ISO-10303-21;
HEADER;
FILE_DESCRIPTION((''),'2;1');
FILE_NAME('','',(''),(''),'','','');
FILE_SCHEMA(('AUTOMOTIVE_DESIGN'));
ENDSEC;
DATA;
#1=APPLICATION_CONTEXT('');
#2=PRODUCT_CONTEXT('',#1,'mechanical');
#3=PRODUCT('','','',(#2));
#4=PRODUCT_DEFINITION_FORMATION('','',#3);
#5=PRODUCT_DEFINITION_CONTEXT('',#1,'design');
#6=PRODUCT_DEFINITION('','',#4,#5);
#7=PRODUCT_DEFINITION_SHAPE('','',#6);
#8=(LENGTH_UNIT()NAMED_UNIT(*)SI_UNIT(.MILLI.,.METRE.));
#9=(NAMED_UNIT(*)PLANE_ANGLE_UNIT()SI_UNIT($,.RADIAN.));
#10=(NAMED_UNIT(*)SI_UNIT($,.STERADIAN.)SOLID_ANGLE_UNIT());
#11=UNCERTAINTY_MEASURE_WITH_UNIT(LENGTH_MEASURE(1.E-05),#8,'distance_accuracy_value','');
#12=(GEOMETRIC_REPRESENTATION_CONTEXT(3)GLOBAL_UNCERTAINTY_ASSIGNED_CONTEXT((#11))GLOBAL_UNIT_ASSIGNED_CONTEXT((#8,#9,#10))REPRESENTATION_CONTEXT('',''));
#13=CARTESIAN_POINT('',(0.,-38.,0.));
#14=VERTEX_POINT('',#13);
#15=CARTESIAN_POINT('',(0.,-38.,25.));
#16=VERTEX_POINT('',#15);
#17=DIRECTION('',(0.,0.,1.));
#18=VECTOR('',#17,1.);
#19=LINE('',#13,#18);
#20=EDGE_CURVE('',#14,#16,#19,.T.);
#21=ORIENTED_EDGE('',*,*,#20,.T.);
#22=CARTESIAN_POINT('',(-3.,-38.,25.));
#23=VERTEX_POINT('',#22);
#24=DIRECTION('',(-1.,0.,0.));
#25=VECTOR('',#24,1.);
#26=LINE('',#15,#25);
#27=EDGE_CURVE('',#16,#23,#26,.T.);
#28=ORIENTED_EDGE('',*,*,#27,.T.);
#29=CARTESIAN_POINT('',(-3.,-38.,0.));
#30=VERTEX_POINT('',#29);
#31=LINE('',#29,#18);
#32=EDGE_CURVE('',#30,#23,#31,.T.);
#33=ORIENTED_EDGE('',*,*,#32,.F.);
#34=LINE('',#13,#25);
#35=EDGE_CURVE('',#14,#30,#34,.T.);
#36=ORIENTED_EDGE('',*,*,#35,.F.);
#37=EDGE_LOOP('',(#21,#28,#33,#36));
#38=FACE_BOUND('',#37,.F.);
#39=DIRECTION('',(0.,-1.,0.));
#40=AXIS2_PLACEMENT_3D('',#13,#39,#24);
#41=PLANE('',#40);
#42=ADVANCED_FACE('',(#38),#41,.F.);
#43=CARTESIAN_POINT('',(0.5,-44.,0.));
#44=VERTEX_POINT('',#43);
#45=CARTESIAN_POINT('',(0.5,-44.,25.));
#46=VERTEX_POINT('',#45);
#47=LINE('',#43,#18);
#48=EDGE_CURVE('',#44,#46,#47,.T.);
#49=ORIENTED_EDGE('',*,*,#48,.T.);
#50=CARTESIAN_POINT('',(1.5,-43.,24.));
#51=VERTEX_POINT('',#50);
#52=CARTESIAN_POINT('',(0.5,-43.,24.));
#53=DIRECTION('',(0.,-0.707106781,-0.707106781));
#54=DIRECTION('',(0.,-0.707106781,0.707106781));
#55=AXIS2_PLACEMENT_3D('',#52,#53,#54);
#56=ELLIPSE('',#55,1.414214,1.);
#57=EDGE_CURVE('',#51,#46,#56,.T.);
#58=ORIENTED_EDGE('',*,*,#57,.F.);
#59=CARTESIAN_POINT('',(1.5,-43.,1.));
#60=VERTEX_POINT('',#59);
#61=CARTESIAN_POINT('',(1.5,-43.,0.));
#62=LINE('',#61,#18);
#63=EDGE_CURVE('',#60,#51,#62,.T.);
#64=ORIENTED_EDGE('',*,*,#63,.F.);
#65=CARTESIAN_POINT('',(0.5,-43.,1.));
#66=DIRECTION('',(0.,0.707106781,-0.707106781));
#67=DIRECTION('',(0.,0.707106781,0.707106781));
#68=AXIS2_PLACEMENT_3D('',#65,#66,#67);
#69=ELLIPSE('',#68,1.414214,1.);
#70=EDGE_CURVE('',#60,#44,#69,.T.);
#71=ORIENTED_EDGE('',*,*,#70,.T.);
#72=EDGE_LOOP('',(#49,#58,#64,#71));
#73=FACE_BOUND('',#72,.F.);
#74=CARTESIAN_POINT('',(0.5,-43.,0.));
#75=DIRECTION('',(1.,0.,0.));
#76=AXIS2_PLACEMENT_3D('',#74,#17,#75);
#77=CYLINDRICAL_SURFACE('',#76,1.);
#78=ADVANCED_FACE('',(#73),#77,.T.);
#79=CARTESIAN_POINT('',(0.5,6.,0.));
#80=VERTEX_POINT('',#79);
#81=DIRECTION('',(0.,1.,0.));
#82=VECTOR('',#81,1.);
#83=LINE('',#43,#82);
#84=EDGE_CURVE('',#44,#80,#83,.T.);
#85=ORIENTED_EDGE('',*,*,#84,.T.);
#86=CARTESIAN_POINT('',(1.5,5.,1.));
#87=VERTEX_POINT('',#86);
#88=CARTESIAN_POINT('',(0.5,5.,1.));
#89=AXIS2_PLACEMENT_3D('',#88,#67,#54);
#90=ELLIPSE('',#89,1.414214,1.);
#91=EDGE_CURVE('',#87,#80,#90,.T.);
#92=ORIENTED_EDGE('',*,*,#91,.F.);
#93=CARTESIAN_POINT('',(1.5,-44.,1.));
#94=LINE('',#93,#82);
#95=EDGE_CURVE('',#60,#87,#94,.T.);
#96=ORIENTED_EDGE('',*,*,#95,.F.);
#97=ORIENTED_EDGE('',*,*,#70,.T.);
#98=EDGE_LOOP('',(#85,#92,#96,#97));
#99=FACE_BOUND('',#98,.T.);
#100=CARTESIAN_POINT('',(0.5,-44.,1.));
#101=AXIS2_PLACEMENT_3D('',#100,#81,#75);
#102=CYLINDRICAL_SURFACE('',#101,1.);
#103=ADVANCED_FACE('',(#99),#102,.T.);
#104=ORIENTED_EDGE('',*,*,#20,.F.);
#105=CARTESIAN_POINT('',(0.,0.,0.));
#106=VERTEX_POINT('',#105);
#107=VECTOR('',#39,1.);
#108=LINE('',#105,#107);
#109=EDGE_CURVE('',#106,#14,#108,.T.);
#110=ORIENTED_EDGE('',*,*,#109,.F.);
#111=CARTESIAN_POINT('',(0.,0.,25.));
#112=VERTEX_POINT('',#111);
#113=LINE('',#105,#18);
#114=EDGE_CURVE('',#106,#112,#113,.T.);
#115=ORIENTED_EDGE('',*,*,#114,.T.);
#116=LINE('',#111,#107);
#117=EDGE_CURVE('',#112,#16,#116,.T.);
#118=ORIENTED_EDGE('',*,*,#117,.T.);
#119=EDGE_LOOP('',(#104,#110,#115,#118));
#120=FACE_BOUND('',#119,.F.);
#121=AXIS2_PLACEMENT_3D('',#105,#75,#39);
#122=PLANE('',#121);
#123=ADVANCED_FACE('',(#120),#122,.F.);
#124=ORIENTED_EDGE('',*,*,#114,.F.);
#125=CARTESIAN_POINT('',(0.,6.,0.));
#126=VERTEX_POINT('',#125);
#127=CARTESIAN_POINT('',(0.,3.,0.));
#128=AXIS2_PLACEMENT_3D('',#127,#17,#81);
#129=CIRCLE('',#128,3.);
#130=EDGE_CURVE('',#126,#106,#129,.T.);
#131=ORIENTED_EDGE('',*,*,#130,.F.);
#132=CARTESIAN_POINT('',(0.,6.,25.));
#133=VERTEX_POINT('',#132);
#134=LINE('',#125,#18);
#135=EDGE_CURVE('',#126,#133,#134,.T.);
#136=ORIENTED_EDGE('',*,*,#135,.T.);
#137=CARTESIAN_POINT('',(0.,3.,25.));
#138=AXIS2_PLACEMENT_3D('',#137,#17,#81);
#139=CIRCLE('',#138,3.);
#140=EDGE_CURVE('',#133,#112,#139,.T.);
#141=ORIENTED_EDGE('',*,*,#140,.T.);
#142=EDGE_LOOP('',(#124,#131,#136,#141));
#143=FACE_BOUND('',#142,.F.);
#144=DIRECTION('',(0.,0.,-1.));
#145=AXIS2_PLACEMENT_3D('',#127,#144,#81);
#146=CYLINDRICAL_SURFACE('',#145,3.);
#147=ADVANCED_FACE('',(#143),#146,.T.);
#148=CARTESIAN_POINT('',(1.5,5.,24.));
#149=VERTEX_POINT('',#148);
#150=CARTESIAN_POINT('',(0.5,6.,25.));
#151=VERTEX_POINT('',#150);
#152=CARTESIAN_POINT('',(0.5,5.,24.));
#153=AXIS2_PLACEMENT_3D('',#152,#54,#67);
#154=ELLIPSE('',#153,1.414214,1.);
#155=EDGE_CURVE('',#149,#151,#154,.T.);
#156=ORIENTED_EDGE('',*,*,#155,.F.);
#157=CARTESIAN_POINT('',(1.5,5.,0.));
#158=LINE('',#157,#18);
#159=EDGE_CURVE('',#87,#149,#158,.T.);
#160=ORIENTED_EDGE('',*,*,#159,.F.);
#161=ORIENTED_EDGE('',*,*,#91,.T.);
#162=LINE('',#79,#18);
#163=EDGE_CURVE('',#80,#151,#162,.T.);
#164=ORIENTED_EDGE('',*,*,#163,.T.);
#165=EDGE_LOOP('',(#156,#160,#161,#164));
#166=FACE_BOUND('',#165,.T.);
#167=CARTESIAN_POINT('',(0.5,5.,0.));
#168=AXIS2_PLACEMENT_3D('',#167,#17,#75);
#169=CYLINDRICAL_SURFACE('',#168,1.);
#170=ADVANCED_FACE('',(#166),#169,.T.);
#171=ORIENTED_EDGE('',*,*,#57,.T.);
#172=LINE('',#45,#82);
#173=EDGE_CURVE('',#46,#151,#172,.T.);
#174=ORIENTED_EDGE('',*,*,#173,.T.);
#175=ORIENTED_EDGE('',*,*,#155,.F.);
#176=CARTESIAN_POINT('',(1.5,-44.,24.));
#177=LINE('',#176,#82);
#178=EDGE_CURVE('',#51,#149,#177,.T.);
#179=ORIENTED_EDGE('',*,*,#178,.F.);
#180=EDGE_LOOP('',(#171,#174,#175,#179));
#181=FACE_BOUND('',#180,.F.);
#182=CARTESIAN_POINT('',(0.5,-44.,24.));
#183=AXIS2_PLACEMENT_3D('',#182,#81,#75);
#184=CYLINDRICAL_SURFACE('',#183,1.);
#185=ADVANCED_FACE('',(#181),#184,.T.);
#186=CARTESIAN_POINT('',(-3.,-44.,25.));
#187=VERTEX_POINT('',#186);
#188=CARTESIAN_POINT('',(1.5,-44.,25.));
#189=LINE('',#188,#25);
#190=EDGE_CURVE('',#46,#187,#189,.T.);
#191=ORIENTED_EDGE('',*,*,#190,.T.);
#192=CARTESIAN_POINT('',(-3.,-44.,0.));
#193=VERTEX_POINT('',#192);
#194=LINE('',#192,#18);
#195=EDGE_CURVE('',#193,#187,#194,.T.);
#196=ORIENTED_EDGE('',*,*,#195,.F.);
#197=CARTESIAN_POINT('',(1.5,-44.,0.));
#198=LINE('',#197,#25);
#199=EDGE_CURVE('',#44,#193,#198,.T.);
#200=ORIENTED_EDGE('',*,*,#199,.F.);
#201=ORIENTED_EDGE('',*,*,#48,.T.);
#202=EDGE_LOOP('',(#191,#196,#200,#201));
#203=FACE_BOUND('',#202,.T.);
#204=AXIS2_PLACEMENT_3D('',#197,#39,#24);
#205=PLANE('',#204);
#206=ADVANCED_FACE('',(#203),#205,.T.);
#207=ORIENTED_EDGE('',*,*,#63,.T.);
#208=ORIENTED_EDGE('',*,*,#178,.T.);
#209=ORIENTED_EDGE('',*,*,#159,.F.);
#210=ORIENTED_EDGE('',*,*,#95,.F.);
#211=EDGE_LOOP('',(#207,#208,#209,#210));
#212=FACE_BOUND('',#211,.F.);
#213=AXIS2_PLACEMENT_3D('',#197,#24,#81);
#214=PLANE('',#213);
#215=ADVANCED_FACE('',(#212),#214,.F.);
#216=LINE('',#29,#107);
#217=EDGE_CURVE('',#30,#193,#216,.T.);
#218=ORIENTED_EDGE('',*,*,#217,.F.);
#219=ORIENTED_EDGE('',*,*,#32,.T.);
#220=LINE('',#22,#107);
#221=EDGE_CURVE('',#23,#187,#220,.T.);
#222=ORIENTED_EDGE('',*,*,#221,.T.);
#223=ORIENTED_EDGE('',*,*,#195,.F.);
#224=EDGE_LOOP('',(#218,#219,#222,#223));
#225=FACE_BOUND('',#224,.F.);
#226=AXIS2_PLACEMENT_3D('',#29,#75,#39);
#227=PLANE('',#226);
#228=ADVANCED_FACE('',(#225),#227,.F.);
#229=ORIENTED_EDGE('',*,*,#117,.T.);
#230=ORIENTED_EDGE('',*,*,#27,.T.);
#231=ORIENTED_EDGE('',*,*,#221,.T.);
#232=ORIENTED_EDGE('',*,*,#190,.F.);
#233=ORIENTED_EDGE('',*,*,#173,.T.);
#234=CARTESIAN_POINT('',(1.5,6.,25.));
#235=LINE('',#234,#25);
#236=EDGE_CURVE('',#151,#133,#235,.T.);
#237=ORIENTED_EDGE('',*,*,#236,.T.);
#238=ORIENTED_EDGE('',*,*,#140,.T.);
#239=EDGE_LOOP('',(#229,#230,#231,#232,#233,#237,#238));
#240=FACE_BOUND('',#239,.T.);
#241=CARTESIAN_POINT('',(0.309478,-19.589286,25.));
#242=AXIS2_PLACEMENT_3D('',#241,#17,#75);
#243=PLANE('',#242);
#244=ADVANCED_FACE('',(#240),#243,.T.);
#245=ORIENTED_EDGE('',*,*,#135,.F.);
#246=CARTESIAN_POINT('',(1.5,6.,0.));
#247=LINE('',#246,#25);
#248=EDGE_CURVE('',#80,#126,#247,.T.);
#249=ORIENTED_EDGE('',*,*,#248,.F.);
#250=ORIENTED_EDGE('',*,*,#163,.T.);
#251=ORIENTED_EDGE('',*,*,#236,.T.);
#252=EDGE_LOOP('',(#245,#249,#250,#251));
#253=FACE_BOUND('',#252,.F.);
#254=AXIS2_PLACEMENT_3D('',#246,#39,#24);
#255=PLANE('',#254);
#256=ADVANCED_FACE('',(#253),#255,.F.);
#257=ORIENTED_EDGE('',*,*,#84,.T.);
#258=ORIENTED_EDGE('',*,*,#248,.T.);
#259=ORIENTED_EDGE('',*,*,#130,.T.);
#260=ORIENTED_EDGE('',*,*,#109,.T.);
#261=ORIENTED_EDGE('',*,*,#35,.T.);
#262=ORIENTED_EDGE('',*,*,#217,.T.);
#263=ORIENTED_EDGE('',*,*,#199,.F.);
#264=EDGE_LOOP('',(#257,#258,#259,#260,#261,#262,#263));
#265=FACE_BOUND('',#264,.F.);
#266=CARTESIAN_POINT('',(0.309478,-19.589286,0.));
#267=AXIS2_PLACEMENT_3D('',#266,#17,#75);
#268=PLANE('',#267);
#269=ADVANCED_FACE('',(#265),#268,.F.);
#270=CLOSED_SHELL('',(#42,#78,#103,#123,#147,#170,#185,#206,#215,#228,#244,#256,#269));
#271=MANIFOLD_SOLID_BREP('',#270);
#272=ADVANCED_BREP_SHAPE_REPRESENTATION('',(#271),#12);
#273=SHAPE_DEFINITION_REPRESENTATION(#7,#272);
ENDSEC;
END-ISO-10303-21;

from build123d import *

# Parameters (mm, degrees)
PAD_DEPTH = 25
FILLET_R  = 1


with BuildPart() as part:
    # Sketch → Pad (new body)
    with BuildSketch(Plane.XY):
        with BuildLine():
            Line((1.5, -44), (1.5, 6))
            Line((1.5, 6), (0, 6))
            ThreePointArc((0, 6), (-3, 3), (0, 0))
            Line((0, 0), (0, -38))
            Line((0, -38), (-3, -38))
            Line((-3, -38), (-3, -44))
            Line((1.5, -44), (-3, -44))
        make_face()
    extrude(amount=PAD_DEPTH)

    # Fillet
    fillet_edges = [part.edges().sort_by_distance(p)[0] for p in [
        (1.5, -44, 12.5),
        (1.5, 6, 12.5),
        (1.5, -19, 0),
        (1.5, -19, 25),
    ]]
    fillet(fillet_edges, radius=FILLET_R)


solid = part.part
